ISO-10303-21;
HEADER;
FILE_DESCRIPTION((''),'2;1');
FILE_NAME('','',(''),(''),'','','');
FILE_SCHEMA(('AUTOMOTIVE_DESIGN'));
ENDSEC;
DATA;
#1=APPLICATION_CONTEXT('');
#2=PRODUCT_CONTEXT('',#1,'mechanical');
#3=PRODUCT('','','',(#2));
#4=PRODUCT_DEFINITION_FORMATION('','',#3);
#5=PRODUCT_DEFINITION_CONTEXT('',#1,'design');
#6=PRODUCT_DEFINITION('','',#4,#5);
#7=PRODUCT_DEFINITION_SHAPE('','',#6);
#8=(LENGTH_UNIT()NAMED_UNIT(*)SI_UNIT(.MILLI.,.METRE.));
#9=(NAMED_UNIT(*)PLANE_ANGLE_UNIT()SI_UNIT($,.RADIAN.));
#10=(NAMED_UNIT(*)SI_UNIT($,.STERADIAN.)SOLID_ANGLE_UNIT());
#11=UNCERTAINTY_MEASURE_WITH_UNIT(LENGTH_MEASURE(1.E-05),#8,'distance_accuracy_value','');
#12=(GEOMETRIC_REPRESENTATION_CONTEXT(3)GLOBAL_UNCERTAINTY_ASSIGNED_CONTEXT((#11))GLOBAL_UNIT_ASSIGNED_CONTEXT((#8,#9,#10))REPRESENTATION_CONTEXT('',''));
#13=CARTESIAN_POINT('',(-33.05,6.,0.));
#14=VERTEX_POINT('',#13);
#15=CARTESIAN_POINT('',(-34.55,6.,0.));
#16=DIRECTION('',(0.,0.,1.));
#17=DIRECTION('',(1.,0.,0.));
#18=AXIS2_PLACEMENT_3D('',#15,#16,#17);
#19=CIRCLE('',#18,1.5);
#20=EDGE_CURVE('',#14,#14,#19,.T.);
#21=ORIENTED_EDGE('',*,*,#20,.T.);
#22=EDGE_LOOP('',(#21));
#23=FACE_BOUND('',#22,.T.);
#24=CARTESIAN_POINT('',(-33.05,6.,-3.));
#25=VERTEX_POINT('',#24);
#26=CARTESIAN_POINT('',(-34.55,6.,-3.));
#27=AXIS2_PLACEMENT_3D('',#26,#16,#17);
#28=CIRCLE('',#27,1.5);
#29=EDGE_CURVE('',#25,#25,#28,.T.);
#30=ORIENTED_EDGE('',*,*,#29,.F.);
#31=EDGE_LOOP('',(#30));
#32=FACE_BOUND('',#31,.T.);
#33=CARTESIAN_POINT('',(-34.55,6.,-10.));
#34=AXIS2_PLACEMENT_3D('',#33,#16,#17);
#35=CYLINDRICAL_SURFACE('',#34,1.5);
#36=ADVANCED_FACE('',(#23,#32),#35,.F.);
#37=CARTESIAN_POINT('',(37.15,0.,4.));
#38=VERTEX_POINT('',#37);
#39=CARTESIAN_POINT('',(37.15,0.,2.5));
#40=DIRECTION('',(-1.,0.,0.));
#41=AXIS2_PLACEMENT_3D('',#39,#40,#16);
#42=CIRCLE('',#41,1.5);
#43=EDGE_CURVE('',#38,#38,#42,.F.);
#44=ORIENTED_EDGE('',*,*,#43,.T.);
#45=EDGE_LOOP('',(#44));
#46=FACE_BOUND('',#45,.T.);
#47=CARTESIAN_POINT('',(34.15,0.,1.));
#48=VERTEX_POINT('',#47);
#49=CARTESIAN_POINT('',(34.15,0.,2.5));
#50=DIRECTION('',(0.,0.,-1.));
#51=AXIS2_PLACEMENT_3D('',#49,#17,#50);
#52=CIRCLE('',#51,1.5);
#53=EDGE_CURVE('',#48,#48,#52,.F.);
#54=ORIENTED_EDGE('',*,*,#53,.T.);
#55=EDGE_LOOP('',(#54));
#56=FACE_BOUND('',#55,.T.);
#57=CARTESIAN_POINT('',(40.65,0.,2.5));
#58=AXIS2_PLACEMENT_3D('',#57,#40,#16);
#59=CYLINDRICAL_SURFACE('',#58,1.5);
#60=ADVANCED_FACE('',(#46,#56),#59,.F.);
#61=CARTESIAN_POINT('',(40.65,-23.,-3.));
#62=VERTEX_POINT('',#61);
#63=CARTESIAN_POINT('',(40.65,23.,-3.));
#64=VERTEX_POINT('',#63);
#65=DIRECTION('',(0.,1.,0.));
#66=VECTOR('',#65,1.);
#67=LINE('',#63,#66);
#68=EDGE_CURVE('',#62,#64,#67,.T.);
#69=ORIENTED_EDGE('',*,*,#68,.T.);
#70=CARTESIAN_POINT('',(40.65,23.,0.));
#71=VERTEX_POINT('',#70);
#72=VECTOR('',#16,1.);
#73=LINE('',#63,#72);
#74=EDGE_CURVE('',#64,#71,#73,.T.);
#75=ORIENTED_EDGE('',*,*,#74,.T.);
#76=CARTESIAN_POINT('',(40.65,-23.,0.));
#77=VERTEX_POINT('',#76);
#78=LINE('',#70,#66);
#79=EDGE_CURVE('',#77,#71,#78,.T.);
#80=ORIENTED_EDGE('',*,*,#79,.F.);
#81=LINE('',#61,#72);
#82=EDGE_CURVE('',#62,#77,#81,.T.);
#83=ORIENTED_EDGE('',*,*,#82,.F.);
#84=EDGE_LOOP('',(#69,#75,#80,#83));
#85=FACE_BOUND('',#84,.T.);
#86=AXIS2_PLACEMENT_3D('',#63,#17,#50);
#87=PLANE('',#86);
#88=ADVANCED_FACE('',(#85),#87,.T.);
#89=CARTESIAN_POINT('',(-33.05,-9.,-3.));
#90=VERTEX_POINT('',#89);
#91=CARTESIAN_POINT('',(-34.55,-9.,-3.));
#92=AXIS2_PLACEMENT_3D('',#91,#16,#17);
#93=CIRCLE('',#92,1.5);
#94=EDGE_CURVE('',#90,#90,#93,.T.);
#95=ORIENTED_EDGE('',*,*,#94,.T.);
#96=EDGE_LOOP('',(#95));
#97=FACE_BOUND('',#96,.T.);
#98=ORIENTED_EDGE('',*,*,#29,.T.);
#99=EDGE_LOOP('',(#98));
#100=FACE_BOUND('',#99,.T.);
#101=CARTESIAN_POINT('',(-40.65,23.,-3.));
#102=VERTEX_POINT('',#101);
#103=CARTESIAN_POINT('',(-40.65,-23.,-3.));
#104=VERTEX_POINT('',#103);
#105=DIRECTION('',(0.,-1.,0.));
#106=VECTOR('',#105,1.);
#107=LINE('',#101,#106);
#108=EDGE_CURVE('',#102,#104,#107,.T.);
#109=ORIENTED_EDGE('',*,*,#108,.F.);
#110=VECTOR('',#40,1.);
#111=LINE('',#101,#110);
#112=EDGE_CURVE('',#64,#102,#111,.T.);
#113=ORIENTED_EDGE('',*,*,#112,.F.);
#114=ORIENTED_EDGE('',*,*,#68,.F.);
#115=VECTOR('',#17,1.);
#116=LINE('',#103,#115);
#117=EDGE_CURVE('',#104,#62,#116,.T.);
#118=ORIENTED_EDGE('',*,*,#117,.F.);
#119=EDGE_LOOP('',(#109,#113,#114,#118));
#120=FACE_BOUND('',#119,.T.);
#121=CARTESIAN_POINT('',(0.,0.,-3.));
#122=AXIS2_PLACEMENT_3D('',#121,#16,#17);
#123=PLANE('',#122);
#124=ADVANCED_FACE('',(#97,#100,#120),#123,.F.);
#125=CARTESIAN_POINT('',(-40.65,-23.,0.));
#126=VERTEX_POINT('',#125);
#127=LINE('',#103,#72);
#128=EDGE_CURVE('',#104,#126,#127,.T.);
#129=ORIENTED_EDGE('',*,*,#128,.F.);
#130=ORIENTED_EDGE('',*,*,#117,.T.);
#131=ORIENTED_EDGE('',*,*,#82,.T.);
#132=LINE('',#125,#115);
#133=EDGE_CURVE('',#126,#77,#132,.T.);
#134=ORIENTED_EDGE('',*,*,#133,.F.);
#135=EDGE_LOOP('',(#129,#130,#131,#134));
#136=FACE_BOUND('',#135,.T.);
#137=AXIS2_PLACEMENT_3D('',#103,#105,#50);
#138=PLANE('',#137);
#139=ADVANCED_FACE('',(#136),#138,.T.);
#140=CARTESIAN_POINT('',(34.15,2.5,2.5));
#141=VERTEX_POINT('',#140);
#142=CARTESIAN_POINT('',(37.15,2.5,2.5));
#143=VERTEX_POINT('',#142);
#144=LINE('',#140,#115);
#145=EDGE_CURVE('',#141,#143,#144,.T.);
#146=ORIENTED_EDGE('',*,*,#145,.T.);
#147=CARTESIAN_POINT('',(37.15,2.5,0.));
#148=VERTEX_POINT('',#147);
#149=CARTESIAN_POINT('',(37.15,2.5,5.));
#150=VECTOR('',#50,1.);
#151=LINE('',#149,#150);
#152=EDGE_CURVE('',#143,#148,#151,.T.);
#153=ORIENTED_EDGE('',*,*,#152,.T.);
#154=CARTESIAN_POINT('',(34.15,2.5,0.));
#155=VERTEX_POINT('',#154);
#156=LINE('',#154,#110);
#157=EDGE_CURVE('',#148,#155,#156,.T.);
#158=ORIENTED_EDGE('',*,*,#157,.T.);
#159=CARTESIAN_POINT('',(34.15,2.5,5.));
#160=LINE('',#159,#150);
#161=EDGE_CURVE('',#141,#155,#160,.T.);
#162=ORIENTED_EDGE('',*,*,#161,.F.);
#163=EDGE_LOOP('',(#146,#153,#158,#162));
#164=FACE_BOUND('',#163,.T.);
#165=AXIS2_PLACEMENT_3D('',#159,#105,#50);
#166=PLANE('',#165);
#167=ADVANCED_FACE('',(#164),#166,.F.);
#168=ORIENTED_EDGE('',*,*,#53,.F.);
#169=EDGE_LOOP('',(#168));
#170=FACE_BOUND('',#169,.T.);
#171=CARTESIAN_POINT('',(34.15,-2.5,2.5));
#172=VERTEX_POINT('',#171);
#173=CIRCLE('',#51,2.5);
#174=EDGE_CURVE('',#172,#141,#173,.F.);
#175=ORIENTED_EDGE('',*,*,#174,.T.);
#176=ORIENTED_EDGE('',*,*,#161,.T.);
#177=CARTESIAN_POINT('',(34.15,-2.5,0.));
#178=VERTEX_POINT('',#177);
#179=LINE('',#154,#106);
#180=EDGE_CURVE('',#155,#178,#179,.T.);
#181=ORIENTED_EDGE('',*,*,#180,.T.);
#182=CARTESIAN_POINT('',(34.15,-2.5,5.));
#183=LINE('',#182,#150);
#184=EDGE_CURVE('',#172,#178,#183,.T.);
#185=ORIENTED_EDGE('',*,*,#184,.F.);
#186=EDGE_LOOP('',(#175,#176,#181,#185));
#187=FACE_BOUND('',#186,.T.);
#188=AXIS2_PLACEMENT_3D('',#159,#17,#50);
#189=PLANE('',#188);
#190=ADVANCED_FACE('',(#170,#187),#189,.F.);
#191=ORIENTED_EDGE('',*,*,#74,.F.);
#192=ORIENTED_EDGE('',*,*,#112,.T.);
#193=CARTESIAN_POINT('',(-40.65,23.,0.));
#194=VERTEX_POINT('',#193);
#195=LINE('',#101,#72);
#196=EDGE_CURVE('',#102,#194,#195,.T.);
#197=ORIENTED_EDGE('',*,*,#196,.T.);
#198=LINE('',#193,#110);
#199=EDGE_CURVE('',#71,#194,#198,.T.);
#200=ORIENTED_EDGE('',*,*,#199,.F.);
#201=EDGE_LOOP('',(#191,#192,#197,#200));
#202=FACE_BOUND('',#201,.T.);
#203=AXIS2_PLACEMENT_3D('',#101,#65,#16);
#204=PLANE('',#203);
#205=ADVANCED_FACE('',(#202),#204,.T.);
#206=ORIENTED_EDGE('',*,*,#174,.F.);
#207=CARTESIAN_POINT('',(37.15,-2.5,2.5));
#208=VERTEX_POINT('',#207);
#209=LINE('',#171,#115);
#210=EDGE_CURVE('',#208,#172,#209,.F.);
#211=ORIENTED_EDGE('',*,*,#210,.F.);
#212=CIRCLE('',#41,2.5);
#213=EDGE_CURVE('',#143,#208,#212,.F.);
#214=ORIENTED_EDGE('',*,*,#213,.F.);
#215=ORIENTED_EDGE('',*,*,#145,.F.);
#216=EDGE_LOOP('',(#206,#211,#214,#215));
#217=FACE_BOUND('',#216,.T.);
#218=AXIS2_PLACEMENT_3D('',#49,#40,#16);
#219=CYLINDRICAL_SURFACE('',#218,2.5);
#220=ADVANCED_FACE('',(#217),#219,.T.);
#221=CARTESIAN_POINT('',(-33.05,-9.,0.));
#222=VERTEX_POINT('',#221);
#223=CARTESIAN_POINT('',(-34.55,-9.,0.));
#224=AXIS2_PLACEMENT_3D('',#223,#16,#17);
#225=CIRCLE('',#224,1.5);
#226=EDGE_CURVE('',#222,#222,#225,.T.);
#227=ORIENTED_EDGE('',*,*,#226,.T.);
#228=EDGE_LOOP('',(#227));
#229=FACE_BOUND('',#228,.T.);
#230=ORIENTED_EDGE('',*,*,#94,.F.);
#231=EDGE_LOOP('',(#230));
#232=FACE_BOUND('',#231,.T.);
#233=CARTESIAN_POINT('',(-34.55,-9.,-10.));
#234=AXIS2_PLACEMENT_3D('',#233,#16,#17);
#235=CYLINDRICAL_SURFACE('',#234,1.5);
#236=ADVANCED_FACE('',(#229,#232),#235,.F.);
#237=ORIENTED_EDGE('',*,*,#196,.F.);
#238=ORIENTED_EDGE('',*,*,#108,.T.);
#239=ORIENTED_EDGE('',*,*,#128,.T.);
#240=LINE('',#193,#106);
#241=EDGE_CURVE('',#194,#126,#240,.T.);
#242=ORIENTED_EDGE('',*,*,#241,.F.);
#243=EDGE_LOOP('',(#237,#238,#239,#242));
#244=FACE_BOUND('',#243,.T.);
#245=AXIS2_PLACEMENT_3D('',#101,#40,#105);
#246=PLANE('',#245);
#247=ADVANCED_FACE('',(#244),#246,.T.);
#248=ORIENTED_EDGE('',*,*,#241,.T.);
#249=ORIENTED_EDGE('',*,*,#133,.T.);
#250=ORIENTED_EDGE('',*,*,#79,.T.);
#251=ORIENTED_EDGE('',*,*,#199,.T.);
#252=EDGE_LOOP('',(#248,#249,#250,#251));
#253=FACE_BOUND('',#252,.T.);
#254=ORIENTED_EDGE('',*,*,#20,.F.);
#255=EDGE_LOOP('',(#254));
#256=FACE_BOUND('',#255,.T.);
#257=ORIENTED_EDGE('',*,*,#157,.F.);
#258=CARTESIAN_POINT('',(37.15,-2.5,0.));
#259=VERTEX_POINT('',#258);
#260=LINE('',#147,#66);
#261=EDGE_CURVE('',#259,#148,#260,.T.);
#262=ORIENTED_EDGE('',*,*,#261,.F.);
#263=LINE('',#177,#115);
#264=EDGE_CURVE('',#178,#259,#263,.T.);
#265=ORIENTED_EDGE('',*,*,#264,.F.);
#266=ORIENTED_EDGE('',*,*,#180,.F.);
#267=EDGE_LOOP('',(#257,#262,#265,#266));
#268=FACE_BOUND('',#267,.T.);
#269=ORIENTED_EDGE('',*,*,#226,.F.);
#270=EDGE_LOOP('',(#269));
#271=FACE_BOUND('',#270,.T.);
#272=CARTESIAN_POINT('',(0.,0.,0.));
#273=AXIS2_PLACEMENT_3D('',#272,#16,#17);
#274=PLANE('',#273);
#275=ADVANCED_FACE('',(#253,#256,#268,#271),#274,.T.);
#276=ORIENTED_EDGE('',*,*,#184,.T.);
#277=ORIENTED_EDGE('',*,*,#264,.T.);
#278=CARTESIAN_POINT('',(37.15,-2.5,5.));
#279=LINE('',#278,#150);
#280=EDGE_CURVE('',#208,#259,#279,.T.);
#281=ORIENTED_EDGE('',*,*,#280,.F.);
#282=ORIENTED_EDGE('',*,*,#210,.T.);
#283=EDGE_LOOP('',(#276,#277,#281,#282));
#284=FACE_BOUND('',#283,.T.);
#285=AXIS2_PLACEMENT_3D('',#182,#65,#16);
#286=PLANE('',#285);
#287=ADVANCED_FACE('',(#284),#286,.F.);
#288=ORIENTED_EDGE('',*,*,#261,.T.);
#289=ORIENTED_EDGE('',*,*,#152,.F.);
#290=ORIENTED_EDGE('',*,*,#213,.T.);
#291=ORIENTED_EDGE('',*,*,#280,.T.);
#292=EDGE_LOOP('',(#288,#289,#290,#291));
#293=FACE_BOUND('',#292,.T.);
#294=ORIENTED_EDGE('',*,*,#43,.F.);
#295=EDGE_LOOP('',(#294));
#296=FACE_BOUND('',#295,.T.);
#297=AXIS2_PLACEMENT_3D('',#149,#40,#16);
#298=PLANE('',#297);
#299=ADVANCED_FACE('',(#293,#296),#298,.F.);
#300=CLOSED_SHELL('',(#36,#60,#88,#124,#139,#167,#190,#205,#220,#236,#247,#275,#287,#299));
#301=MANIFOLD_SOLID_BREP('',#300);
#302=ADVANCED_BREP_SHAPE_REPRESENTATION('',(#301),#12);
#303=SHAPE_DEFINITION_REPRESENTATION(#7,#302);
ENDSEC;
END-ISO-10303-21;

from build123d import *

# Parameters (mm, degrees)
SKETCH1_W           = 81.3
SKETCH1_H           = 46
BOSS_EXTRUDE1_DEPTH = 3
SKETCH5_W           = 3
SKETCH5_H           = 5
BOSS_EXTRUDE3_DEPTH = 5
SKETCH6_R           = 1.5
CUT_EXTRUDE2_DEPTH  = 47.972571784
FILLET5_RADIUS      = 2.5
FILLET5_LENGTH      = 3
SKETCH7_R           = 1.5
CUT_EXTRUDE3_DEPTH  = 10


with BuildPart() as part:
    # Sketch1 → Boss-Extrude1 (new body)
    with BuildSketch(Plane.XY):
        Rectangle(SKETCH1_W, SKETCH1_H)
    extrude(amount=-BOSS_EXTRUDE1_DEPTH)

    # Sketch5 → Boss-Extrude3 (add)
    with BuildSketch(Plane.XY):
        with Locations((35.65, 0)):
            Rectangle(SKETCH5_W, SKETCH5_H)
    extrude(amount=BOSS_EXTRUDE3_DEPTH)

    # Sketch6 → Cut-Extrude2 (cut, through all)
    with BuildSketch(Plane(origin=(0, 0, 0), x_dir=(0, 0, -1), z_dir=(1, 0, 0))):
        with Locations(Location((-2.5, 0, 0), (0, 0, 180))):
            Circle(SKETCH6_R)
    extrude(amount=CUT_EXTRUDE2_DEPTH, mode=Mode.SUBTRACT)

    # Fillet5: full round fillet: the end face becomes a half cylinder, R = half its width
    fillet5_face = Plane((35.65, 0, 5), x_dir=(-1, 0, 0), z_dir=(0, 0, 1))  # on the end face: x along it, z out of the body
    fillet5_slab = fillet5_face.offset(-FILLET5_RADIUS / 2) * Box(FILLET5_LENGTH, 2 * FILLET5_RADIUS, FILLET5_RADIUS, mode=Mode.PRIVATE)  # the body's end, R deep
    fillet5_round = Plane((35.65, 0, 2.5), x_dir=(0, 0, 1), z_dir=(-1, 0, 0)) * Cylinder(FILLET5_RADIUS, FILLET5_LENGTH, mode=Mode.PRIVATE)  # its axis R under the face
    add(fillet5_slab - fillet5_round, mode=Mode.SUBTRACT)

    # Sketch7 → Cut-Extrude3 (cut)
    with BuildSketch(Plane.XY):
        with Locations((-34.55, -9)):
            Circle(SKETCH7_R)
        with Locations((-34.55, 6)):
            Circle(SKETCH7_R)
    extrude(amount=-CUT_EXTRUDE3_DEPTH, mode=Mode.SUBTRACT)


solid = part.part
